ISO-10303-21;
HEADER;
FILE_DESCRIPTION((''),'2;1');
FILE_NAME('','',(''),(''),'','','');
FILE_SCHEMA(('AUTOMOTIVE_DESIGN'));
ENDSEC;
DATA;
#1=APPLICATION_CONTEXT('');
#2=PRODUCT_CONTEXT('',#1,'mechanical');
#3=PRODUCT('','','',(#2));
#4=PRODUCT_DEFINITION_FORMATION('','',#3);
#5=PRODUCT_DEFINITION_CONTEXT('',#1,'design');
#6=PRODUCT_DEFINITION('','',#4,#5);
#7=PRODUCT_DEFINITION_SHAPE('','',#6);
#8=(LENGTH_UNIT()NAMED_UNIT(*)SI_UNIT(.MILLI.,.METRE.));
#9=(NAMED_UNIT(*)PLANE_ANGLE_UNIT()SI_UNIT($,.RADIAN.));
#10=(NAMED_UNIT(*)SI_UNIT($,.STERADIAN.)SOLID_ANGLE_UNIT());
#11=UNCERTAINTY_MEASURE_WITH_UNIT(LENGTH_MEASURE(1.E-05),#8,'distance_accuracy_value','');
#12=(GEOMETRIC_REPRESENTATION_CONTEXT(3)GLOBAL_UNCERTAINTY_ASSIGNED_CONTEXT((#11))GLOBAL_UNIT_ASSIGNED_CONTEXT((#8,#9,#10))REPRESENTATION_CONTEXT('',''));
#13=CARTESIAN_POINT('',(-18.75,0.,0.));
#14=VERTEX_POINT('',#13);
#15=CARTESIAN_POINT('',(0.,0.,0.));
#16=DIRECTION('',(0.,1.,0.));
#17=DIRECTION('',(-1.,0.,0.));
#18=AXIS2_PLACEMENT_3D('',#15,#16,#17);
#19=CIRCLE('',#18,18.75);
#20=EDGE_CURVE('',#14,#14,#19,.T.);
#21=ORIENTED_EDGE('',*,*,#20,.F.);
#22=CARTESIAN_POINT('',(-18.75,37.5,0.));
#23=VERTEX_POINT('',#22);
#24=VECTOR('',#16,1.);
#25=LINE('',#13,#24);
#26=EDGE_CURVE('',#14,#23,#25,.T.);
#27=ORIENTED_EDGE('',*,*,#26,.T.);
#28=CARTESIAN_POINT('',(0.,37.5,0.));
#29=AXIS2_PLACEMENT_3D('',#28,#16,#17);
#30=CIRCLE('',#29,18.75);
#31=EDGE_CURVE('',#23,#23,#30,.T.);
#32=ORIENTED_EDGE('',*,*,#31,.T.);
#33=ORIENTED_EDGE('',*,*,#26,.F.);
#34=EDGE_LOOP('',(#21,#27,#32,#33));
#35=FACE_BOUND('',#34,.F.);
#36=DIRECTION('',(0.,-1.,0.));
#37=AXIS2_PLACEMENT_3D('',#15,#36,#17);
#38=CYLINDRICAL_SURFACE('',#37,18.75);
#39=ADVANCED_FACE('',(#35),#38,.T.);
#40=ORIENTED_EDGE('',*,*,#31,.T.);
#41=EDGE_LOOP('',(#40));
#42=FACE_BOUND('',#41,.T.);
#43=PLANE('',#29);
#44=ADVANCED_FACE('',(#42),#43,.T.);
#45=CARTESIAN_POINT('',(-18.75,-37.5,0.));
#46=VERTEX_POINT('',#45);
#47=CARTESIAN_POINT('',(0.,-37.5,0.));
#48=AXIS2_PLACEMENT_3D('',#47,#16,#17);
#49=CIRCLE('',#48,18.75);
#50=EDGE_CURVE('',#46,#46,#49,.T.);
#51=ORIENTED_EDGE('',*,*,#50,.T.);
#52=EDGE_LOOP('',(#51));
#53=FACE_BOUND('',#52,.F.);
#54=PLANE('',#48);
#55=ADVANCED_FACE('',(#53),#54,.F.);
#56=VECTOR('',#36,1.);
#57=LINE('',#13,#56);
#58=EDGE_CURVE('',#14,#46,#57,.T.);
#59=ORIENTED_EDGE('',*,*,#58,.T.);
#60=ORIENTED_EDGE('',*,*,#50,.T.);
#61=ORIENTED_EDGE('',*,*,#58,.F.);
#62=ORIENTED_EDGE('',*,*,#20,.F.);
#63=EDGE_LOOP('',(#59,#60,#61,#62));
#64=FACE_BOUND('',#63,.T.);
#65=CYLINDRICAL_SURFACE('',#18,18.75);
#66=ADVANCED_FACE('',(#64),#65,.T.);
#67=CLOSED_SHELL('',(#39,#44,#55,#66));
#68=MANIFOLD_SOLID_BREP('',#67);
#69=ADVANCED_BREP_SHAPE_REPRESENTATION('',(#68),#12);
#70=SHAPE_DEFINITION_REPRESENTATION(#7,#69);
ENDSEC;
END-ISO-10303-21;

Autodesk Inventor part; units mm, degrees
ref_plane "YZ Plane" through (0, 0, 0) normal (1, 0, 0) x (0, 1, 0)
ref_plane "XZ Plane" through (0, 0, 0) normal (0, 1, 0) x (-1, 0, 0)
ref_plane "XY Plane" through (0, 0, 0) normal (0, 0, 1) x (1, 0, 0)
sketch "Skizze1" plane through (0, 0, 0) normal (0, 1, 0) x (-1, 0, 0)
  circle A0 centre (0, 0) radius 18.75
  dimension "d0" = 37.5
extrude "Extrusion1" add sketch "Skizze1" along normal mid plane 75
properties part number "PipeShort"
